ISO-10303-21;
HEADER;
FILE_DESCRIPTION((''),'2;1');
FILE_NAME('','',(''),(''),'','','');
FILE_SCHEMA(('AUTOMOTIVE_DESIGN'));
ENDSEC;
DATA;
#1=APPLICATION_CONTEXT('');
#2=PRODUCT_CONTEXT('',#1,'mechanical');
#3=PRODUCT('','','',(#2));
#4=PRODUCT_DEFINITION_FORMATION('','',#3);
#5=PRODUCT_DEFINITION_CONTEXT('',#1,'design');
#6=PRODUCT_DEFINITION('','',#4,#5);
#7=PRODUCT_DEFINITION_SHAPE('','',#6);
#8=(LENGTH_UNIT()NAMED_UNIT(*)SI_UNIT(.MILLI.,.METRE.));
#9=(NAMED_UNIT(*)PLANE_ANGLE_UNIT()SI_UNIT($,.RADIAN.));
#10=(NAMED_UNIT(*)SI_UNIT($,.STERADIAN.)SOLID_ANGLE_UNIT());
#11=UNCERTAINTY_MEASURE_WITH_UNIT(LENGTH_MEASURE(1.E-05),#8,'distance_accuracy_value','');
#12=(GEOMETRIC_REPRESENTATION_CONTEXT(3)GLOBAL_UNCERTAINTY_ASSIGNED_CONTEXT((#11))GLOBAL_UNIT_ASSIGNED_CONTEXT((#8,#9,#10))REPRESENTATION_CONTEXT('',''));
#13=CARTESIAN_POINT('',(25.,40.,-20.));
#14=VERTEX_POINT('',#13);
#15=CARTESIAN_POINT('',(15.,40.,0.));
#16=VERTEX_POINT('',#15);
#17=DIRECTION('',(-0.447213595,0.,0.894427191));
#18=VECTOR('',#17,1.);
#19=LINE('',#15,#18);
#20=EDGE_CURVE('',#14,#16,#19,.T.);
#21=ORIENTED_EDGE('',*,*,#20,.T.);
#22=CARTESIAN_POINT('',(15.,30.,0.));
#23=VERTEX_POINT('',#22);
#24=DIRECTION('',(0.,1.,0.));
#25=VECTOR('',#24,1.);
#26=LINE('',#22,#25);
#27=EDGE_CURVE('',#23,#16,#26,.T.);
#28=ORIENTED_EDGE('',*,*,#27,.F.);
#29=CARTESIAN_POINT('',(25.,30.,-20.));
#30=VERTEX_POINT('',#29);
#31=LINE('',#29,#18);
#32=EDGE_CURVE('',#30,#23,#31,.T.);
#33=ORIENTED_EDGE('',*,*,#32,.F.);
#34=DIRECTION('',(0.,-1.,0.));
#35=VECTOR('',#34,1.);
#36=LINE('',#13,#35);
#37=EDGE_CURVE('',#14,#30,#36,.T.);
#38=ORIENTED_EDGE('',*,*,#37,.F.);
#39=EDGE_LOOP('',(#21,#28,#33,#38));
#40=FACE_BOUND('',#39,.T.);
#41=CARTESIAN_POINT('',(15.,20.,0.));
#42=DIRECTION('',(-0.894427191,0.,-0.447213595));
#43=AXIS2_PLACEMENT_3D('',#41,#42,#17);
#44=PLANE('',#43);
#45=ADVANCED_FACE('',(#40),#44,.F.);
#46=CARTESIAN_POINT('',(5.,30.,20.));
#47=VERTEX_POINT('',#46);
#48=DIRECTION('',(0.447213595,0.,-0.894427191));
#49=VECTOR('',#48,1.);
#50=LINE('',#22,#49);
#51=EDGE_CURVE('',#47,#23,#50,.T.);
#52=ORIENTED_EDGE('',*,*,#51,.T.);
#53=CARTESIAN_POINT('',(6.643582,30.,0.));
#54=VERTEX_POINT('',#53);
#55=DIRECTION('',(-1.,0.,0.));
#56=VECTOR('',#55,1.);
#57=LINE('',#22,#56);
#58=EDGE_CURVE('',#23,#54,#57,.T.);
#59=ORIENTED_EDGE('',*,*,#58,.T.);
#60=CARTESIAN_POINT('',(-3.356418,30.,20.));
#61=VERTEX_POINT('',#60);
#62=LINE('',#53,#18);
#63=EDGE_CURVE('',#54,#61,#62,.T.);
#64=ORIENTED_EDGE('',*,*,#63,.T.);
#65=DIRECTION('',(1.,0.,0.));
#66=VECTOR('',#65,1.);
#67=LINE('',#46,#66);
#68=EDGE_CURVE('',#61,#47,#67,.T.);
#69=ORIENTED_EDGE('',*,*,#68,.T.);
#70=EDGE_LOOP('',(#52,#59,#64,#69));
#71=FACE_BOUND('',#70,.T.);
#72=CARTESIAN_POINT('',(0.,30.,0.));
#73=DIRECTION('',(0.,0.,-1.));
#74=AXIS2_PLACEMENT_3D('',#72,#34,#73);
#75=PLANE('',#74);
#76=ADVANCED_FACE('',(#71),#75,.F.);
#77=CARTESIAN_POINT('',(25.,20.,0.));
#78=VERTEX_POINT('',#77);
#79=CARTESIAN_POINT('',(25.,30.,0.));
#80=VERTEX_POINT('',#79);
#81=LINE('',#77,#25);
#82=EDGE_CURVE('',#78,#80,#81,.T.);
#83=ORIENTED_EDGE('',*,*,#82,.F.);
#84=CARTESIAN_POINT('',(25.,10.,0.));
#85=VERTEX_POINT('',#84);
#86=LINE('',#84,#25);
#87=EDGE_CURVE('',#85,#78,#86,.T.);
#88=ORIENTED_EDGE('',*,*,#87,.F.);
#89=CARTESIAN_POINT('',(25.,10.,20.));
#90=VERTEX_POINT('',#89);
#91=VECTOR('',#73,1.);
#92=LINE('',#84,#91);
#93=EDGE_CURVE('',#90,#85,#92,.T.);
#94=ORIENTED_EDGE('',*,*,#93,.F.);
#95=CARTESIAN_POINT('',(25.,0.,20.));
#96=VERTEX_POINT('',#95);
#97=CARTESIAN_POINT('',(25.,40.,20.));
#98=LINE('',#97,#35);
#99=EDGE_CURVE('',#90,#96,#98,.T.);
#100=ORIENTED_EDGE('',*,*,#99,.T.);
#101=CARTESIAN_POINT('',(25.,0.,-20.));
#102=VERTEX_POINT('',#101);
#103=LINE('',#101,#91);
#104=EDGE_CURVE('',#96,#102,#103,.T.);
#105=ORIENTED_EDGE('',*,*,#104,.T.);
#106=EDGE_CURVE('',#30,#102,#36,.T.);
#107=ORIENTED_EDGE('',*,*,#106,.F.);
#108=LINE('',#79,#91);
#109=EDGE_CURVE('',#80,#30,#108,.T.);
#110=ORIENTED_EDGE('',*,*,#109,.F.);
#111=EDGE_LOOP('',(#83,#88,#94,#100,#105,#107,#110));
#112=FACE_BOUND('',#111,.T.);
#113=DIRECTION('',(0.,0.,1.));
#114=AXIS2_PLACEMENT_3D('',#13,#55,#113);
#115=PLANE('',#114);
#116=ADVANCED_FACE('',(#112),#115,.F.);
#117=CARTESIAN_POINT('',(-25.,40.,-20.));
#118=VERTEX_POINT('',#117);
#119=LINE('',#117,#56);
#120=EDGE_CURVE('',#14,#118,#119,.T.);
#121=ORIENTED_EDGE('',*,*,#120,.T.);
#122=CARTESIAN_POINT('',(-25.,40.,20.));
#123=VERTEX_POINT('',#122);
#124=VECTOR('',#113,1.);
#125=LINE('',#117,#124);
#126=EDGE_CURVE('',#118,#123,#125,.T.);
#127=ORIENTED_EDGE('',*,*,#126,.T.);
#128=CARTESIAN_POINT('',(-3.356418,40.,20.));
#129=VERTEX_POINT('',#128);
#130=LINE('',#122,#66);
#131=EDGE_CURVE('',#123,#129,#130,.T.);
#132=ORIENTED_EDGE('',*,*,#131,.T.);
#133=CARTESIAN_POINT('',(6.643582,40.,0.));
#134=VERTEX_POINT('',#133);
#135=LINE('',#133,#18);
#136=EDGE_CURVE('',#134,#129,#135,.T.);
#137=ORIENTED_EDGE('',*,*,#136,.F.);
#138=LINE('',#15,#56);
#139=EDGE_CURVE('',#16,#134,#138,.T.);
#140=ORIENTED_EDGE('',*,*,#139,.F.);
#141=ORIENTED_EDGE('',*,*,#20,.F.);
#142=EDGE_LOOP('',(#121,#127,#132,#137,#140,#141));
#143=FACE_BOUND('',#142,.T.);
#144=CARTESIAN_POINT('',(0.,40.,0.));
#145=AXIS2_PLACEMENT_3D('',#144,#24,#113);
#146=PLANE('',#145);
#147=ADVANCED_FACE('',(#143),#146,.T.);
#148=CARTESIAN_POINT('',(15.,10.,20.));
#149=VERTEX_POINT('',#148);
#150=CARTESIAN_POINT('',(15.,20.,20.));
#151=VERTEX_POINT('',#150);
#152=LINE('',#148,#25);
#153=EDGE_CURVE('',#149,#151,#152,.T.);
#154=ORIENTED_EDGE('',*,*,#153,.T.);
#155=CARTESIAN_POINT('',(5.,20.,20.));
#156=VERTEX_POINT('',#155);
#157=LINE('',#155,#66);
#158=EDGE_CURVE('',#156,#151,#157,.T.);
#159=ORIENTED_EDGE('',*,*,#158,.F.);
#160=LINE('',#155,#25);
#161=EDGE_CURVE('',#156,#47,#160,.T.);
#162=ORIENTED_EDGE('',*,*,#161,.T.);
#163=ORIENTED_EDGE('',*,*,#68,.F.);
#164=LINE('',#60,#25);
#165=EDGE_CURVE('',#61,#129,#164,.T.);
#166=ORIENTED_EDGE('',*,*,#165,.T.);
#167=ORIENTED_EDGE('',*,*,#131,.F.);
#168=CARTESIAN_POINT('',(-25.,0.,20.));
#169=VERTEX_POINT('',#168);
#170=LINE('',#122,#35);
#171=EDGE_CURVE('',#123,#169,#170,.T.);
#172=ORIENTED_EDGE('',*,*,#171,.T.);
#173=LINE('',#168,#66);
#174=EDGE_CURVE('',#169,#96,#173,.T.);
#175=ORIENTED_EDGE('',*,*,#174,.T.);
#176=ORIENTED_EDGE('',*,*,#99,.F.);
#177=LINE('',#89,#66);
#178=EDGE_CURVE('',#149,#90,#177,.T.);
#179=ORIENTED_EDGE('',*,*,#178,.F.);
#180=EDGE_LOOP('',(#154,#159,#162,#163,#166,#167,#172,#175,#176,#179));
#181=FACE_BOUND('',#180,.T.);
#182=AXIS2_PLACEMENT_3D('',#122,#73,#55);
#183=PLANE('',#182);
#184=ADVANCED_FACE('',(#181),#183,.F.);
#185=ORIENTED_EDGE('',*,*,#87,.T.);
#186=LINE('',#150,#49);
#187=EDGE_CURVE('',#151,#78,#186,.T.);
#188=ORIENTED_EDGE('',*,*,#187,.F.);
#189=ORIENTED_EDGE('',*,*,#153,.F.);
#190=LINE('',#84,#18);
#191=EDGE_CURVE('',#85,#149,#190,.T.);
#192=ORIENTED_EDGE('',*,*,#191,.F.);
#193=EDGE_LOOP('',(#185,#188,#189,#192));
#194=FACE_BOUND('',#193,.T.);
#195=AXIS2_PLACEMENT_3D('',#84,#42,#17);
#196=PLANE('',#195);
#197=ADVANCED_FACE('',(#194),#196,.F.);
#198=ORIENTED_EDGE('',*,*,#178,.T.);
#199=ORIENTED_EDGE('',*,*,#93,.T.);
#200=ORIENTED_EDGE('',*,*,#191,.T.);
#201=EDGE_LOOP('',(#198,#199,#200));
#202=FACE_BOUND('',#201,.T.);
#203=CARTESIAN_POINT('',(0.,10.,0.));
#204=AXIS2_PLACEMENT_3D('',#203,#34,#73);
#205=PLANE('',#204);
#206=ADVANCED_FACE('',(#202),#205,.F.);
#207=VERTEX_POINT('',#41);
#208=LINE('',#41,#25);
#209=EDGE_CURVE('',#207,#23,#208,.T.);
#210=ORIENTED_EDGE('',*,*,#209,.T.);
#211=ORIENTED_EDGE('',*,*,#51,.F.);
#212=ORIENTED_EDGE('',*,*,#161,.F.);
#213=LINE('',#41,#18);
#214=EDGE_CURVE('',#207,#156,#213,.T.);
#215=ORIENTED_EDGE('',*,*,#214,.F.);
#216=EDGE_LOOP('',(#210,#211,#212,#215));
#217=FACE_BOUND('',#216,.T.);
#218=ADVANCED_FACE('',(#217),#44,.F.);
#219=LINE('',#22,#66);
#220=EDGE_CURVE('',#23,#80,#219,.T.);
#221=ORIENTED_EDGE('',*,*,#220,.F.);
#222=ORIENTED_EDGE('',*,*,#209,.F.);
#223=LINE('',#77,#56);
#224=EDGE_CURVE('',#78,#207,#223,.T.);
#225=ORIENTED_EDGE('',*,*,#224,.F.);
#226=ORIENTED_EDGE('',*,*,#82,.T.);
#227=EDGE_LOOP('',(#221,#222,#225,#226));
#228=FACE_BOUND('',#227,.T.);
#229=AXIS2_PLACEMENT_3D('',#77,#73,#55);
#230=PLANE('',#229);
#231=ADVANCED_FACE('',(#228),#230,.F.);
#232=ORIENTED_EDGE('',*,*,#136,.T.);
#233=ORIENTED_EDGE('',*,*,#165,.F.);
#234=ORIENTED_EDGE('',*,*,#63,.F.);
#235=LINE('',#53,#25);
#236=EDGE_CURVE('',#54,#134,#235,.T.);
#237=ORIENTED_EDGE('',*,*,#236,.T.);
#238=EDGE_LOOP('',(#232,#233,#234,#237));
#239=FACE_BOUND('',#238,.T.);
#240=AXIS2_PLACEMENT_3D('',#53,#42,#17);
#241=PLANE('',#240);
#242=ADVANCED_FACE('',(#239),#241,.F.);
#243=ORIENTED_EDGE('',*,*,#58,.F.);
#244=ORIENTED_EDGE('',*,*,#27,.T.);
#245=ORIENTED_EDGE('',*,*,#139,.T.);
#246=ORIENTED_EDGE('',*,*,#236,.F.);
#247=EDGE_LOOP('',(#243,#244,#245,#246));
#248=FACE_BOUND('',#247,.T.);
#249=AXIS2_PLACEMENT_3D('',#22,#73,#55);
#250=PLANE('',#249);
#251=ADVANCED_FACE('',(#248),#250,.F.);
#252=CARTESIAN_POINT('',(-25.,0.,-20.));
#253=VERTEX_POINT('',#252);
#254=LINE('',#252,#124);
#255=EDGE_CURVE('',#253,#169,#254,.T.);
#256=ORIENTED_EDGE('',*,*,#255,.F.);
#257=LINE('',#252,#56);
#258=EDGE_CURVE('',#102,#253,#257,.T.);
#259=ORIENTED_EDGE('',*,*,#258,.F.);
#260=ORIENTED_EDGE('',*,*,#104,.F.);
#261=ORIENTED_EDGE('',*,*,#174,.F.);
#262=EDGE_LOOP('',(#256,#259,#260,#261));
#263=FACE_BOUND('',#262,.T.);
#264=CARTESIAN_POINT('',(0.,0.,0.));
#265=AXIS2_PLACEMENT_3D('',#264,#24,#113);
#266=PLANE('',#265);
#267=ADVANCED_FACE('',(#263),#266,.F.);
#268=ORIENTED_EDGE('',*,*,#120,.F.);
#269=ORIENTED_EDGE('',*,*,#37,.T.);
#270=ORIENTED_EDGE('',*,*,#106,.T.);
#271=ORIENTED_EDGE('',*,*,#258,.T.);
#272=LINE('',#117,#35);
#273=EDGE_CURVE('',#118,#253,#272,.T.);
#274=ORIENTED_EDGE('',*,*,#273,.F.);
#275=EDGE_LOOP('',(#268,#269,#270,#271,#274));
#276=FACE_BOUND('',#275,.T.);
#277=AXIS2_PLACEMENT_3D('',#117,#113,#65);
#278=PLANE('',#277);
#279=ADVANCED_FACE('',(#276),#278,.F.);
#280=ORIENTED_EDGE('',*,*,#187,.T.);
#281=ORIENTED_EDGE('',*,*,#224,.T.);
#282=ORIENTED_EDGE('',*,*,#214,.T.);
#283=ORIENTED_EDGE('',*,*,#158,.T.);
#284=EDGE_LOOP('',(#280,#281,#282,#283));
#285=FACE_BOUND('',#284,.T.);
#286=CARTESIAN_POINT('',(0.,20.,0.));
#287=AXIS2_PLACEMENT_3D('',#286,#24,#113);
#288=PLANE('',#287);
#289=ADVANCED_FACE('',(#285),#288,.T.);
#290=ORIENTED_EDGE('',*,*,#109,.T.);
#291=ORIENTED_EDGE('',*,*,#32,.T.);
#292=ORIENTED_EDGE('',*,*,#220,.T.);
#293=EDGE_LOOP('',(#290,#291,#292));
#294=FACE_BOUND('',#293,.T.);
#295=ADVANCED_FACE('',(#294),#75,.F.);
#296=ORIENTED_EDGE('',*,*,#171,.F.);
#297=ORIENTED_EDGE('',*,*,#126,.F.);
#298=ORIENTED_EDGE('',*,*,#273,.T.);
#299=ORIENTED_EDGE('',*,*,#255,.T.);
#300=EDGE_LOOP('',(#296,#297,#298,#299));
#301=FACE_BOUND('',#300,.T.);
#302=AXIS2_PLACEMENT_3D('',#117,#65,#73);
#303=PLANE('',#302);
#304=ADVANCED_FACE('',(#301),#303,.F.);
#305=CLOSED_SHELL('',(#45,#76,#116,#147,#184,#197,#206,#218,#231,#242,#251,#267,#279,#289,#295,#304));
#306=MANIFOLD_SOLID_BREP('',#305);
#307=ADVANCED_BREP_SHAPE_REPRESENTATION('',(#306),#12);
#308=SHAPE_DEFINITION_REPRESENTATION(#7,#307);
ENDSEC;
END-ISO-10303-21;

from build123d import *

# Parameters (mm, degrees)
SKETCH1_W           = 50
SKETCH1_H           = 40
BOSS_EXTRUDE1_DEPTH = 40
CUT_EXTRUDE1_DEPTH  = 30
CUT_EXTRUDE2_DEPTH  = 20
CUT_EXTRUDE3_DEPTH  = 10
CUT_EXTRUDE4_DEPTH  = 10


with BuildPart() as part:
    # Sketch1 → Boss-Extrude1 (new body)
    with BuildSketch(Plane(origin=(0, 0, 0), x_dir=(1, 0, 0), z_dir=(0, 1, 0))):
        Rectangle(SKETCH1_W, SKETCH1_H)
    extrude(amount=BOSS_EXTRUDE1_DEPTH)

    # Sketch2 → Cut-Extrude1 (cut)
    with BuildSketch(Plane(origin=(0, 40, 0), x_dir=(1, 0, 0), z_dir=(0, 1, 0))):
        Polygon((25, 0), (15, -20), (25, -20), align=None)
    extrude(amount=-CUT_EXTRUDE1_DEPTH, mode=Mode.SUBTRACT)

    # Sketch3 → Cut-Extrude2 (cut)
    with BuildSketch(Plane(origin=(0, 40, 0), x_dir=(1, 0, 0), z_dir=(0, 1, 0))):
        Polygon((15, 0), (5, -20), (15, -20), (25, 0), align=None)
    extrude(amount=-CUT_EXTRUDE2_DEPTH, mode=Mode.SUBTRACT)

    # Sketch4 → Cut-Extrude3 (cut)
    with BuildSketch(Plane(origin=(0, 40, 0), x_dir=(1, 0, 0), z_dir=(0, 1, 0))):
        Polygon((25, 20), (15, 0), (25, 0), align=None)
    extrude(amount=-CUT_EXTRUDE3_DEPTH, mode=Mode.SUBTRACT)

    # Sketch5 → Cut-Extrude4 (cut)
    with BuildSketch(Plane(origin=(0, 40, 0), x_dir=(1, 0, 0), z_dir=(0, 1, 0))):
        Polygon((15, 0), (6.643581927, 0), (-3.356418073, -20), (5, -20), align=None)
    extrude(amount=-CUT_EXTRUDE4_DEPTH, mode=Mode.SUBTRACT)


solid = part.part
